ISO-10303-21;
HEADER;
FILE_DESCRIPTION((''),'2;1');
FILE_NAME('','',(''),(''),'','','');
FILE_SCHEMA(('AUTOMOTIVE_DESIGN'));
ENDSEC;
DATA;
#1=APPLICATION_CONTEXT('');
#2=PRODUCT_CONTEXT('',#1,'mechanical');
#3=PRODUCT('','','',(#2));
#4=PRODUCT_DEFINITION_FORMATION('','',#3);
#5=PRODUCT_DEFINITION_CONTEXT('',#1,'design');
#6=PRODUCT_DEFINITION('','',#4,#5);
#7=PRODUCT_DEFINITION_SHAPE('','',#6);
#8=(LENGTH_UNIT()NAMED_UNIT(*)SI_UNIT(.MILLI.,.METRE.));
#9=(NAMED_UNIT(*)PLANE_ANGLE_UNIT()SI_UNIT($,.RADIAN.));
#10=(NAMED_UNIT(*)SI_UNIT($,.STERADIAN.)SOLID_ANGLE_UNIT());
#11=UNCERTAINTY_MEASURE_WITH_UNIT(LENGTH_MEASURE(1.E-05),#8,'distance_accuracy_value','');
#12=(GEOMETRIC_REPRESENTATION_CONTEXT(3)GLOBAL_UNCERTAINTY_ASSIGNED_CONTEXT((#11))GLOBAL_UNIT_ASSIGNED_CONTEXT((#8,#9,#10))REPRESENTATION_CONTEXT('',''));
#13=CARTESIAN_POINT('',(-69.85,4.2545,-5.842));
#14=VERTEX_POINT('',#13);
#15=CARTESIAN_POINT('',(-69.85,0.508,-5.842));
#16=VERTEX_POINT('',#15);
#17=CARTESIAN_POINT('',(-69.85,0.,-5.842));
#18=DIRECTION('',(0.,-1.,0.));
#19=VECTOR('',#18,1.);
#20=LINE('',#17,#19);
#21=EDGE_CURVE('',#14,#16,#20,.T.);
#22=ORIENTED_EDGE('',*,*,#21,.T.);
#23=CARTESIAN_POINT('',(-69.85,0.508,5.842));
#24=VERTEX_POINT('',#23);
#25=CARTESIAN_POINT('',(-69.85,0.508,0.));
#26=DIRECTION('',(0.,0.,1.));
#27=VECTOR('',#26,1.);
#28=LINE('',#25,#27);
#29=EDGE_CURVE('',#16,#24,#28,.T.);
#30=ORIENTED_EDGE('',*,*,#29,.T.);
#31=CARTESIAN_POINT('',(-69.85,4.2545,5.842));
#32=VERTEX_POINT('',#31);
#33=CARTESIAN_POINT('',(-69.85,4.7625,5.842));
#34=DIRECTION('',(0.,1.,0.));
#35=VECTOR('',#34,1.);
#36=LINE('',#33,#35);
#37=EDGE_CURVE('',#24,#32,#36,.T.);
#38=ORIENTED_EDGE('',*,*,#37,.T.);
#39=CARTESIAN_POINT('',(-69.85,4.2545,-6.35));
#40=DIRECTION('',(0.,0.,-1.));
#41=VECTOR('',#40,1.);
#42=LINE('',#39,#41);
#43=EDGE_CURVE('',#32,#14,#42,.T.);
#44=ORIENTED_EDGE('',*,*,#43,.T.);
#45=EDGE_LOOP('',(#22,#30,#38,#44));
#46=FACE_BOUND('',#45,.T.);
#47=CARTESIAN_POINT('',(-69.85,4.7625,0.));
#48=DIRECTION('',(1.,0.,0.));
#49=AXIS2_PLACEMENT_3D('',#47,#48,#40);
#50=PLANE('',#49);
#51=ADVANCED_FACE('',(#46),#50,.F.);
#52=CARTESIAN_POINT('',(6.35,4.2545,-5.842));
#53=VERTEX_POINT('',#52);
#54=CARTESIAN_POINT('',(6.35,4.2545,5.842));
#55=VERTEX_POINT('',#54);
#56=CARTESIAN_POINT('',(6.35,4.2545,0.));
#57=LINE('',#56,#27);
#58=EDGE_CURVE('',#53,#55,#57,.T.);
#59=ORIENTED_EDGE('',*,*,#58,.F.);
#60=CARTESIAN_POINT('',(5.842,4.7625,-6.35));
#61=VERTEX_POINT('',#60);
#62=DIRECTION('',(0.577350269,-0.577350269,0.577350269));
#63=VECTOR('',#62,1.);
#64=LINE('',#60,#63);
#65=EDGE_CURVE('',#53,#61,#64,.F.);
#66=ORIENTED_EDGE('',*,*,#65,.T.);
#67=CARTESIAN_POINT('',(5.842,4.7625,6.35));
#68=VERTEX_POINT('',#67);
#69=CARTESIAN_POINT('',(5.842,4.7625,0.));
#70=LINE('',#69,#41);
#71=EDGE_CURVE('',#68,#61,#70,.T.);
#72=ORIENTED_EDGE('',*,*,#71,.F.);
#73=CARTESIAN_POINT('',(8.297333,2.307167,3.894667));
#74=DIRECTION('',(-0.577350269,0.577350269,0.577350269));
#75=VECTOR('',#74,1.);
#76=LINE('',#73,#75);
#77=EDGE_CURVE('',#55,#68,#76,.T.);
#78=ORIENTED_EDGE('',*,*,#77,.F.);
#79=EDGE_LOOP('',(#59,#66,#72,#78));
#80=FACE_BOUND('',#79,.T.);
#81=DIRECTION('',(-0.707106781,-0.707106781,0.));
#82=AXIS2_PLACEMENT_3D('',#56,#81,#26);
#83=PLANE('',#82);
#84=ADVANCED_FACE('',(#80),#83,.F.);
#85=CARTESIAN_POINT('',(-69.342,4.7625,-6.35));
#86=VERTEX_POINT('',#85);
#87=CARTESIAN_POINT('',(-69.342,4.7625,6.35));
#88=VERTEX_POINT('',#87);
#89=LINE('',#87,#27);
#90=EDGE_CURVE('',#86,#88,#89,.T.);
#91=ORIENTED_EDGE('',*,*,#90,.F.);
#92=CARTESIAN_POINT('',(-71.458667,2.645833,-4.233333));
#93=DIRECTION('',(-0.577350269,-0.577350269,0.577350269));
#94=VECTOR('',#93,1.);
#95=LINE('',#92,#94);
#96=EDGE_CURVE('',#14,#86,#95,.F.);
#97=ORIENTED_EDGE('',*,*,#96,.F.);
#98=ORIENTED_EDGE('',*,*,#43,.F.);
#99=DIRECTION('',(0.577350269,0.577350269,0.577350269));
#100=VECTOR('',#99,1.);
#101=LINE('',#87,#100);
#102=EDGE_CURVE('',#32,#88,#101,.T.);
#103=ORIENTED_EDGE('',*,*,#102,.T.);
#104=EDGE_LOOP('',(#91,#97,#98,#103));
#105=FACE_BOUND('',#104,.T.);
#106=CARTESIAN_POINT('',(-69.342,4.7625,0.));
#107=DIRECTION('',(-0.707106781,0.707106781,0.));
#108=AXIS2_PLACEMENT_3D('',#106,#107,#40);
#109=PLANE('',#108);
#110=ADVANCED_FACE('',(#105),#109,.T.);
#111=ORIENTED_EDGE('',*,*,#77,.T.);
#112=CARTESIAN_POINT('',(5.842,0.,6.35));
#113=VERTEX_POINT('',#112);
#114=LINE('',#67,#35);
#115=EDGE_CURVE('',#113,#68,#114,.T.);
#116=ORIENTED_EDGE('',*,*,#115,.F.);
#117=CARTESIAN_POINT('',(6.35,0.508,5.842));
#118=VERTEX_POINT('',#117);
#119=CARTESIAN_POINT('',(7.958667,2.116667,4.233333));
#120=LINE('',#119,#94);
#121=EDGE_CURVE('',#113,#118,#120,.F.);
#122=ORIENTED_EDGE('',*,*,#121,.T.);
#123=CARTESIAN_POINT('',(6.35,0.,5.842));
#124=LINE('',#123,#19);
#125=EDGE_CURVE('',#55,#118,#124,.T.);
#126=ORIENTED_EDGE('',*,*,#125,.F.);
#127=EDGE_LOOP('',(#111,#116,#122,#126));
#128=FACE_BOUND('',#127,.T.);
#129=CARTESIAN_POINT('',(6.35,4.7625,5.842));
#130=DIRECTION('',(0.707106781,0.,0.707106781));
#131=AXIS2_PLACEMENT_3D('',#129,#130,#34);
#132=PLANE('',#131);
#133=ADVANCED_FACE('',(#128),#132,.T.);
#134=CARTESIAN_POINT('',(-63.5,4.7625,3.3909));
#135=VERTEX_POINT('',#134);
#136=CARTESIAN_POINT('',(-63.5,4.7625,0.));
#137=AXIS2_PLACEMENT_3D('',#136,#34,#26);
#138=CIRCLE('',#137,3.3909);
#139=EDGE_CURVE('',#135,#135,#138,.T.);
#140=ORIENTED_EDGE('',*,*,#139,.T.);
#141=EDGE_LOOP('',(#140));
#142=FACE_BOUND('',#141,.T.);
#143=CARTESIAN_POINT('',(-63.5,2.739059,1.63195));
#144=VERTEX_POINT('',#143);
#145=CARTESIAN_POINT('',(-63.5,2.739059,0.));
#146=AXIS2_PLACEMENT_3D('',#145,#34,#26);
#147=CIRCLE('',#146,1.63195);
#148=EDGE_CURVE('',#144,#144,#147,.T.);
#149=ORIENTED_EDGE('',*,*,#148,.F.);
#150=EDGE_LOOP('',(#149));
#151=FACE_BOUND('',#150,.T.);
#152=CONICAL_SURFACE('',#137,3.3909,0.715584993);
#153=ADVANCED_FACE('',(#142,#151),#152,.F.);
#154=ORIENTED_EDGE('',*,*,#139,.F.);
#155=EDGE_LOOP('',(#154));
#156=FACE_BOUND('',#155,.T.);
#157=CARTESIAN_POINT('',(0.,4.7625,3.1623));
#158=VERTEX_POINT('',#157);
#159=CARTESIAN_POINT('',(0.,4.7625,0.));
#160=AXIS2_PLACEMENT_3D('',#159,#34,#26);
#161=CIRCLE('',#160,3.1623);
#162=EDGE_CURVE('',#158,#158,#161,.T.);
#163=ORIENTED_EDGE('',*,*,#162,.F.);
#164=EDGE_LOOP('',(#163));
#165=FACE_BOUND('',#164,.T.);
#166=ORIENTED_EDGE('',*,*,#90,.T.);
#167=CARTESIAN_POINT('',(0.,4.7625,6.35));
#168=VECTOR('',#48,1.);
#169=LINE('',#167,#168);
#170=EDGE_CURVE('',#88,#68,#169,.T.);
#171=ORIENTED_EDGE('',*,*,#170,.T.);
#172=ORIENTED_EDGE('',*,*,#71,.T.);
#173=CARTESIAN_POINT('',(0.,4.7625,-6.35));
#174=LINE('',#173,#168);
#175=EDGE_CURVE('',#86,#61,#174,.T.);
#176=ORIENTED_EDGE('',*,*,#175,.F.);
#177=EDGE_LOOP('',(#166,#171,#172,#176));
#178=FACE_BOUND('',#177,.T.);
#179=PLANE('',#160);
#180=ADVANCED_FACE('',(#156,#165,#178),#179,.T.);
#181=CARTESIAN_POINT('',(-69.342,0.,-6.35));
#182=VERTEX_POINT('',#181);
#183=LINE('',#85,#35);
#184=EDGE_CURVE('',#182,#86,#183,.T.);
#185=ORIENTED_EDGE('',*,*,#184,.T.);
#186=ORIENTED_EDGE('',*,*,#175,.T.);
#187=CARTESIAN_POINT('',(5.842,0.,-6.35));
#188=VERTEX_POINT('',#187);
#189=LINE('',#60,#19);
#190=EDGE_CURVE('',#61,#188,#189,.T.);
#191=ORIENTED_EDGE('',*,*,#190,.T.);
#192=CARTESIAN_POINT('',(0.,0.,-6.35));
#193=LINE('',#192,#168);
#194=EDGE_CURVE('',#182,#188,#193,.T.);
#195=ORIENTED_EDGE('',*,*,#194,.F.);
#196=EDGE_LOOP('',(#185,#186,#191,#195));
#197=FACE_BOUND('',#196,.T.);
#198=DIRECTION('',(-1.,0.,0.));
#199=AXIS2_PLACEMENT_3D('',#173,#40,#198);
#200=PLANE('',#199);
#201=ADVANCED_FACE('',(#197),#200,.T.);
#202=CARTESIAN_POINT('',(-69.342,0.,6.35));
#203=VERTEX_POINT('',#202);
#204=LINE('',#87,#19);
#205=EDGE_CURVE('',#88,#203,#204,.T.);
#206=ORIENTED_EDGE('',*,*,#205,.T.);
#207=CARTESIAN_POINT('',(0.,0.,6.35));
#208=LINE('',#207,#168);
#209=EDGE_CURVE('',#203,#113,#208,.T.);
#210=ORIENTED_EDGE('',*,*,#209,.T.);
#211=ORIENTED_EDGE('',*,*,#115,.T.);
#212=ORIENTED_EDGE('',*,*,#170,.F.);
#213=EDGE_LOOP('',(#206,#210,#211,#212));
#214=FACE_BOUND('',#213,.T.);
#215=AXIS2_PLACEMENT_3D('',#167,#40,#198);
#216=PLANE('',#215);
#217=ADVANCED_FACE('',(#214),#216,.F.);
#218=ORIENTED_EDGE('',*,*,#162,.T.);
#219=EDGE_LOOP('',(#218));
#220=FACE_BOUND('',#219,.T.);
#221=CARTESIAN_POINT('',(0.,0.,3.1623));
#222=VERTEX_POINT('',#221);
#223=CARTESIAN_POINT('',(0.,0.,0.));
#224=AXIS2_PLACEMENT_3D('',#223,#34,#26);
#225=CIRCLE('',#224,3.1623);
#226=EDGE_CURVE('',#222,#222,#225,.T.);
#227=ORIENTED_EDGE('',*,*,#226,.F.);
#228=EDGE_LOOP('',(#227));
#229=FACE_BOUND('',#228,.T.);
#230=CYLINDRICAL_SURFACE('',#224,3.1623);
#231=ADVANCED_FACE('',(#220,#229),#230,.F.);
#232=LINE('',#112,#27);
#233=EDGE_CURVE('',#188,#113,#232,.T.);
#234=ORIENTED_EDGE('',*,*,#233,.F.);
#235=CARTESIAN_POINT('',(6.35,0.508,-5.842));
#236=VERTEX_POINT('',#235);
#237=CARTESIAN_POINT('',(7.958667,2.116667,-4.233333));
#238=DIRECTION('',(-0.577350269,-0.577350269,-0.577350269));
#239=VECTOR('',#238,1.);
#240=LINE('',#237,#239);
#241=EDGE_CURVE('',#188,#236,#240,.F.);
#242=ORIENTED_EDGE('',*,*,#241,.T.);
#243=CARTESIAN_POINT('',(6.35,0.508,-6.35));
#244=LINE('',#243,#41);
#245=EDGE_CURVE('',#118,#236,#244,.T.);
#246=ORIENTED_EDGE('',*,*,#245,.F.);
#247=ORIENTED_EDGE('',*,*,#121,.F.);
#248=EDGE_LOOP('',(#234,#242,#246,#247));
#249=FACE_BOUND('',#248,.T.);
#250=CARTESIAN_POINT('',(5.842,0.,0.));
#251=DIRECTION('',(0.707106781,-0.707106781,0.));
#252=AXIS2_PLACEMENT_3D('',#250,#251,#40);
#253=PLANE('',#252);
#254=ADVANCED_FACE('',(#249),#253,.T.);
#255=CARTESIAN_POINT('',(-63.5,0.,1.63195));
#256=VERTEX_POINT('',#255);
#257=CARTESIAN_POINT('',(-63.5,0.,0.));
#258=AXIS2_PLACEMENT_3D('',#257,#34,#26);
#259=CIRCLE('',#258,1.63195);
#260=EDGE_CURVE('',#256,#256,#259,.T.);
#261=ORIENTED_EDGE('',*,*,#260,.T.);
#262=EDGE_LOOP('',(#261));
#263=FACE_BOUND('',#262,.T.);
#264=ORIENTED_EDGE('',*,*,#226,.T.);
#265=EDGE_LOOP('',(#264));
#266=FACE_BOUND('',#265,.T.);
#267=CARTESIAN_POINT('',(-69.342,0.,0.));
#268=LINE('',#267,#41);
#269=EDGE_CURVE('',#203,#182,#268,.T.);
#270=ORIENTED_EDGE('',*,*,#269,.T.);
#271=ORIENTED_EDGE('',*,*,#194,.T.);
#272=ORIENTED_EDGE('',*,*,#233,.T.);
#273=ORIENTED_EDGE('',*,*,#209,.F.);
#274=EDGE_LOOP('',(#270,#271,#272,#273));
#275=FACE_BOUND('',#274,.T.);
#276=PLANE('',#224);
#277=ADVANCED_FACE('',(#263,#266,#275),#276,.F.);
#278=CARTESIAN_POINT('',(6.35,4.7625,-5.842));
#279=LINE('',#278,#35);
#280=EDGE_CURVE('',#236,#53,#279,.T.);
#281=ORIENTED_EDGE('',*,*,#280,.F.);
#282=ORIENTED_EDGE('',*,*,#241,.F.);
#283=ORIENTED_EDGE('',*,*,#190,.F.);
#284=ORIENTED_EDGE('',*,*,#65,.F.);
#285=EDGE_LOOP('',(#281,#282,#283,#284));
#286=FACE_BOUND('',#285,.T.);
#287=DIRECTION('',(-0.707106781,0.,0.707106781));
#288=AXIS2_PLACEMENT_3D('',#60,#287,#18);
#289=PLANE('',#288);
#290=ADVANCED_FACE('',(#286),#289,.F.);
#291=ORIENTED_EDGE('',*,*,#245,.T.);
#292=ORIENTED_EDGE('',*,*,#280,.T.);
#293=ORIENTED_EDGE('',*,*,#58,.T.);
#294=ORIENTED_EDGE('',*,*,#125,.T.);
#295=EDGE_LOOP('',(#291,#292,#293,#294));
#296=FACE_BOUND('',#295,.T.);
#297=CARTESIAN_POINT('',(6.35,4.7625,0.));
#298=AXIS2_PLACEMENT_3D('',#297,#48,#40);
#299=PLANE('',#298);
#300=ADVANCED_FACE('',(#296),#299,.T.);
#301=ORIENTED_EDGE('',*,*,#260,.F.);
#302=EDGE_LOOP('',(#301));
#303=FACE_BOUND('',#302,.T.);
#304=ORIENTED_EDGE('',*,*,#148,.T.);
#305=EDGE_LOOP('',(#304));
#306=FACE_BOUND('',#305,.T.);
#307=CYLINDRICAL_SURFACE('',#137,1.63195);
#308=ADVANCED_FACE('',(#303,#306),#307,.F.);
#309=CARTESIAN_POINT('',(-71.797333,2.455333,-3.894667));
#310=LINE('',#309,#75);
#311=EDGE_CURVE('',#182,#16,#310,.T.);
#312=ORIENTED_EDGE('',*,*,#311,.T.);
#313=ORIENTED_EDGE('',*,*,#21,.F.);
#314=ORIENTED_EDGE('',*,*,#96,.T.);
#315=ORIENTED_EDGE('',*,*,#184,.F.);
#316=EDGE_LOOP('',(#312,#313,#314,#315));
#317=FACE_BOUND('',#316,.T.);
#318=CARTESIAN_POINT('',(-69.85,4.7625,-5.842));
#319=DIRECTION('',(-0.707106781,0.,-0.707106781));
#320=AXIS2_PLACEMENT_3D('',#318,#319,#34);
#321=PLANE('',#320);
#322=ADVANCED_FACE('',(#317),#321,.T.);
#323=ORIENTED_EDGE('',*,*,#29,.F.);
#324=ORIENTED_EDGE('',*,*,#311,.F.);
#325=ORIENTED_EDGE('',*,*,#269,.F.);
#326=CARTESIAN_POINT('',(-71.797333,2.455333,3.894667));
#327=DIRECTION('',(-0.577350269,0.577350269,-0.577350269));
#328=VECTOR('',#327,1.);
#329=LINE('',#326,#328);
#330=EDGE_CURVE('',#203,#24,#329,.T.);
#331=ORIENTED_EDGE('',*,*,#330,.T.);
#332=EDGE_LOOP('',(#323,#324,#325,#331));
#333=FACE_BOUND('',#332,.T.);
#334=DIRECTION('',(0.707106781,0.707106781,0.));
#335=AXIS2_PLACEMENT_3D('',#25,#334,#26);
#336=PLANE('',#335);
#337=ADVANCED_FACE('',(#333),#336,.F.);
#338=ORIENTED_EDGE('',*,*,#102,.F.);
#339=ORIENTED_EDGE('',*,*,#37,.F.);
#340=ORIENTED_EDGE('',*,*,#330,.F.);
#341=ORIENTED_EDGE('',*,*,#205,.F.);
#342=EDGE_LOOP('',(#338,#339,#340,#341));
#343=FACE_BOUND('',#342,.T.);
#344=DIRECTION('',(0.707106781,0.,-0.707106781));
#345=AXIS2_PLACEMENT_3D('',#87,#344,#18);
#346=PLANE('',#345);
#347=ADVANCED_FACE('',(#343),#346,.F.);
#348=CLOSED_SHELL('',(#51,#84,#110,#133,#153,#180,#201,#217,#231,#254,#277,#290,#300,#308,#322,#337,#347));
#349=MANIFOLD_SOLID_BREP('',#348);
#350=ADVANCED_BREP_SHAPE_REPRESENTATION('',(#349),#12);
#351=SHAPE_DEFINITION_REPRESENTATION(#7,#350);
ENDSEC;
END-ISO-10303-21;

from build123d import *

# Parameters (mm, degrees)
SKETCH1_W                                         = 76.2
SKETCH1_H                                         = 12.7
BOSS_EXTRUDE2_DEPTH                               = 4.7625
CSK_FOR_4_FLAT_HEAD_SOCKET_CAP_SCREW1_D           = 3.2639
CSK_FOR_4_FLAT_HEAD_SOCKET_CAP_SCREW1_CSINK_D     = 6.7818
CSK_FOR_4_FLAT_HEAD_SOCKET_CAP_SCREW1_CSINK_ANGLE = 82
CUT_EXTRUDE1_DEPTH                                = 5.7625
CHAMFER1_SIZE                                     = 0.508


with BuildPart() as part:
    # Sketch1 → Boss-Extrude2 (new body)
    with BuildSketch(Plane(origin=(0, 0, 0), x_dir=(1, 0, 0), z_dir=(0, 1, 0))):
        with Locations((-31.75, 0)):
            Rectangle(SKETCH1_W, SKETCH1_H)
    extrude(amount=BOSS_EXTRUDE2_DEPTH)

    # CSK for #4 Flat Head Socket Cap Screw1 (through all)
    with Locations(Plane(origin=(0, 4.7625, 0), x_dir=(1, 0, 0), z_dir=(0, 1, 0))):
        with Locations((-63.5, 0)):
            CounterSinkHole(CSK_FOR_4_FLAT_HEAD_SOCKET_CAP_SCREW1_D / 2, CSK_FOR_4_FLAT_HEAD_SOCKET_CAP_SCREW1_CSINK_D / 2, counter_sink_angle=CSK_FOR_4_FLAT_HEAD_SOCKET_CAP_SCREW1_CSINK_ANGLE)

    # Sketch2 → Cut-Extrude1 (cut, through all)
    with BuildSketch(Plane(origin=(0, 4.7625, 0), x_dir=(1, 0, 0), z_dir=(0, 1, 0))):
        with BuildLine():
            ThreePointArc((3.1623, 0), (2.236083774, 2.236083774), (0, 3.1623))
            Line((0, 3.1623), (0, -3.1623))
            ThreePointArc((0, -3.1623), (2.236083774, -2.236083774), (3.1623, 0))
        make_face()
        with BuildLine():
            Line((0, -3.1623), (0, 3.1623))
            ThreePointArc((0, 3.1623), (-3.1623, 0), (0, -3.1623))
        make_face()
    extrude(amount=-CUT_EXTRUDE1_DEPTH, mode=Mode.SUBTRACT)

    # Chamfer1
    chamfer1_edges = [part.edges().sort_by_distance(p)[0] for p in [
        (-69.85, 2.38125, 6.35),
        (-69.85, 2.38125, -6.35),
        (6.35, 2.38125, -6.35),
        (6.35, 2.38125, 6.35),
        (6.35, 4.7625, 0),
        (-69.85, 4.7625, 0),
        (-69.85, 0, 0),
        (6.35, 0, 0),
    ]]
    chamfer(chamfer1_edges, length=CHAMFER1_SIZE)


solid = part.part
